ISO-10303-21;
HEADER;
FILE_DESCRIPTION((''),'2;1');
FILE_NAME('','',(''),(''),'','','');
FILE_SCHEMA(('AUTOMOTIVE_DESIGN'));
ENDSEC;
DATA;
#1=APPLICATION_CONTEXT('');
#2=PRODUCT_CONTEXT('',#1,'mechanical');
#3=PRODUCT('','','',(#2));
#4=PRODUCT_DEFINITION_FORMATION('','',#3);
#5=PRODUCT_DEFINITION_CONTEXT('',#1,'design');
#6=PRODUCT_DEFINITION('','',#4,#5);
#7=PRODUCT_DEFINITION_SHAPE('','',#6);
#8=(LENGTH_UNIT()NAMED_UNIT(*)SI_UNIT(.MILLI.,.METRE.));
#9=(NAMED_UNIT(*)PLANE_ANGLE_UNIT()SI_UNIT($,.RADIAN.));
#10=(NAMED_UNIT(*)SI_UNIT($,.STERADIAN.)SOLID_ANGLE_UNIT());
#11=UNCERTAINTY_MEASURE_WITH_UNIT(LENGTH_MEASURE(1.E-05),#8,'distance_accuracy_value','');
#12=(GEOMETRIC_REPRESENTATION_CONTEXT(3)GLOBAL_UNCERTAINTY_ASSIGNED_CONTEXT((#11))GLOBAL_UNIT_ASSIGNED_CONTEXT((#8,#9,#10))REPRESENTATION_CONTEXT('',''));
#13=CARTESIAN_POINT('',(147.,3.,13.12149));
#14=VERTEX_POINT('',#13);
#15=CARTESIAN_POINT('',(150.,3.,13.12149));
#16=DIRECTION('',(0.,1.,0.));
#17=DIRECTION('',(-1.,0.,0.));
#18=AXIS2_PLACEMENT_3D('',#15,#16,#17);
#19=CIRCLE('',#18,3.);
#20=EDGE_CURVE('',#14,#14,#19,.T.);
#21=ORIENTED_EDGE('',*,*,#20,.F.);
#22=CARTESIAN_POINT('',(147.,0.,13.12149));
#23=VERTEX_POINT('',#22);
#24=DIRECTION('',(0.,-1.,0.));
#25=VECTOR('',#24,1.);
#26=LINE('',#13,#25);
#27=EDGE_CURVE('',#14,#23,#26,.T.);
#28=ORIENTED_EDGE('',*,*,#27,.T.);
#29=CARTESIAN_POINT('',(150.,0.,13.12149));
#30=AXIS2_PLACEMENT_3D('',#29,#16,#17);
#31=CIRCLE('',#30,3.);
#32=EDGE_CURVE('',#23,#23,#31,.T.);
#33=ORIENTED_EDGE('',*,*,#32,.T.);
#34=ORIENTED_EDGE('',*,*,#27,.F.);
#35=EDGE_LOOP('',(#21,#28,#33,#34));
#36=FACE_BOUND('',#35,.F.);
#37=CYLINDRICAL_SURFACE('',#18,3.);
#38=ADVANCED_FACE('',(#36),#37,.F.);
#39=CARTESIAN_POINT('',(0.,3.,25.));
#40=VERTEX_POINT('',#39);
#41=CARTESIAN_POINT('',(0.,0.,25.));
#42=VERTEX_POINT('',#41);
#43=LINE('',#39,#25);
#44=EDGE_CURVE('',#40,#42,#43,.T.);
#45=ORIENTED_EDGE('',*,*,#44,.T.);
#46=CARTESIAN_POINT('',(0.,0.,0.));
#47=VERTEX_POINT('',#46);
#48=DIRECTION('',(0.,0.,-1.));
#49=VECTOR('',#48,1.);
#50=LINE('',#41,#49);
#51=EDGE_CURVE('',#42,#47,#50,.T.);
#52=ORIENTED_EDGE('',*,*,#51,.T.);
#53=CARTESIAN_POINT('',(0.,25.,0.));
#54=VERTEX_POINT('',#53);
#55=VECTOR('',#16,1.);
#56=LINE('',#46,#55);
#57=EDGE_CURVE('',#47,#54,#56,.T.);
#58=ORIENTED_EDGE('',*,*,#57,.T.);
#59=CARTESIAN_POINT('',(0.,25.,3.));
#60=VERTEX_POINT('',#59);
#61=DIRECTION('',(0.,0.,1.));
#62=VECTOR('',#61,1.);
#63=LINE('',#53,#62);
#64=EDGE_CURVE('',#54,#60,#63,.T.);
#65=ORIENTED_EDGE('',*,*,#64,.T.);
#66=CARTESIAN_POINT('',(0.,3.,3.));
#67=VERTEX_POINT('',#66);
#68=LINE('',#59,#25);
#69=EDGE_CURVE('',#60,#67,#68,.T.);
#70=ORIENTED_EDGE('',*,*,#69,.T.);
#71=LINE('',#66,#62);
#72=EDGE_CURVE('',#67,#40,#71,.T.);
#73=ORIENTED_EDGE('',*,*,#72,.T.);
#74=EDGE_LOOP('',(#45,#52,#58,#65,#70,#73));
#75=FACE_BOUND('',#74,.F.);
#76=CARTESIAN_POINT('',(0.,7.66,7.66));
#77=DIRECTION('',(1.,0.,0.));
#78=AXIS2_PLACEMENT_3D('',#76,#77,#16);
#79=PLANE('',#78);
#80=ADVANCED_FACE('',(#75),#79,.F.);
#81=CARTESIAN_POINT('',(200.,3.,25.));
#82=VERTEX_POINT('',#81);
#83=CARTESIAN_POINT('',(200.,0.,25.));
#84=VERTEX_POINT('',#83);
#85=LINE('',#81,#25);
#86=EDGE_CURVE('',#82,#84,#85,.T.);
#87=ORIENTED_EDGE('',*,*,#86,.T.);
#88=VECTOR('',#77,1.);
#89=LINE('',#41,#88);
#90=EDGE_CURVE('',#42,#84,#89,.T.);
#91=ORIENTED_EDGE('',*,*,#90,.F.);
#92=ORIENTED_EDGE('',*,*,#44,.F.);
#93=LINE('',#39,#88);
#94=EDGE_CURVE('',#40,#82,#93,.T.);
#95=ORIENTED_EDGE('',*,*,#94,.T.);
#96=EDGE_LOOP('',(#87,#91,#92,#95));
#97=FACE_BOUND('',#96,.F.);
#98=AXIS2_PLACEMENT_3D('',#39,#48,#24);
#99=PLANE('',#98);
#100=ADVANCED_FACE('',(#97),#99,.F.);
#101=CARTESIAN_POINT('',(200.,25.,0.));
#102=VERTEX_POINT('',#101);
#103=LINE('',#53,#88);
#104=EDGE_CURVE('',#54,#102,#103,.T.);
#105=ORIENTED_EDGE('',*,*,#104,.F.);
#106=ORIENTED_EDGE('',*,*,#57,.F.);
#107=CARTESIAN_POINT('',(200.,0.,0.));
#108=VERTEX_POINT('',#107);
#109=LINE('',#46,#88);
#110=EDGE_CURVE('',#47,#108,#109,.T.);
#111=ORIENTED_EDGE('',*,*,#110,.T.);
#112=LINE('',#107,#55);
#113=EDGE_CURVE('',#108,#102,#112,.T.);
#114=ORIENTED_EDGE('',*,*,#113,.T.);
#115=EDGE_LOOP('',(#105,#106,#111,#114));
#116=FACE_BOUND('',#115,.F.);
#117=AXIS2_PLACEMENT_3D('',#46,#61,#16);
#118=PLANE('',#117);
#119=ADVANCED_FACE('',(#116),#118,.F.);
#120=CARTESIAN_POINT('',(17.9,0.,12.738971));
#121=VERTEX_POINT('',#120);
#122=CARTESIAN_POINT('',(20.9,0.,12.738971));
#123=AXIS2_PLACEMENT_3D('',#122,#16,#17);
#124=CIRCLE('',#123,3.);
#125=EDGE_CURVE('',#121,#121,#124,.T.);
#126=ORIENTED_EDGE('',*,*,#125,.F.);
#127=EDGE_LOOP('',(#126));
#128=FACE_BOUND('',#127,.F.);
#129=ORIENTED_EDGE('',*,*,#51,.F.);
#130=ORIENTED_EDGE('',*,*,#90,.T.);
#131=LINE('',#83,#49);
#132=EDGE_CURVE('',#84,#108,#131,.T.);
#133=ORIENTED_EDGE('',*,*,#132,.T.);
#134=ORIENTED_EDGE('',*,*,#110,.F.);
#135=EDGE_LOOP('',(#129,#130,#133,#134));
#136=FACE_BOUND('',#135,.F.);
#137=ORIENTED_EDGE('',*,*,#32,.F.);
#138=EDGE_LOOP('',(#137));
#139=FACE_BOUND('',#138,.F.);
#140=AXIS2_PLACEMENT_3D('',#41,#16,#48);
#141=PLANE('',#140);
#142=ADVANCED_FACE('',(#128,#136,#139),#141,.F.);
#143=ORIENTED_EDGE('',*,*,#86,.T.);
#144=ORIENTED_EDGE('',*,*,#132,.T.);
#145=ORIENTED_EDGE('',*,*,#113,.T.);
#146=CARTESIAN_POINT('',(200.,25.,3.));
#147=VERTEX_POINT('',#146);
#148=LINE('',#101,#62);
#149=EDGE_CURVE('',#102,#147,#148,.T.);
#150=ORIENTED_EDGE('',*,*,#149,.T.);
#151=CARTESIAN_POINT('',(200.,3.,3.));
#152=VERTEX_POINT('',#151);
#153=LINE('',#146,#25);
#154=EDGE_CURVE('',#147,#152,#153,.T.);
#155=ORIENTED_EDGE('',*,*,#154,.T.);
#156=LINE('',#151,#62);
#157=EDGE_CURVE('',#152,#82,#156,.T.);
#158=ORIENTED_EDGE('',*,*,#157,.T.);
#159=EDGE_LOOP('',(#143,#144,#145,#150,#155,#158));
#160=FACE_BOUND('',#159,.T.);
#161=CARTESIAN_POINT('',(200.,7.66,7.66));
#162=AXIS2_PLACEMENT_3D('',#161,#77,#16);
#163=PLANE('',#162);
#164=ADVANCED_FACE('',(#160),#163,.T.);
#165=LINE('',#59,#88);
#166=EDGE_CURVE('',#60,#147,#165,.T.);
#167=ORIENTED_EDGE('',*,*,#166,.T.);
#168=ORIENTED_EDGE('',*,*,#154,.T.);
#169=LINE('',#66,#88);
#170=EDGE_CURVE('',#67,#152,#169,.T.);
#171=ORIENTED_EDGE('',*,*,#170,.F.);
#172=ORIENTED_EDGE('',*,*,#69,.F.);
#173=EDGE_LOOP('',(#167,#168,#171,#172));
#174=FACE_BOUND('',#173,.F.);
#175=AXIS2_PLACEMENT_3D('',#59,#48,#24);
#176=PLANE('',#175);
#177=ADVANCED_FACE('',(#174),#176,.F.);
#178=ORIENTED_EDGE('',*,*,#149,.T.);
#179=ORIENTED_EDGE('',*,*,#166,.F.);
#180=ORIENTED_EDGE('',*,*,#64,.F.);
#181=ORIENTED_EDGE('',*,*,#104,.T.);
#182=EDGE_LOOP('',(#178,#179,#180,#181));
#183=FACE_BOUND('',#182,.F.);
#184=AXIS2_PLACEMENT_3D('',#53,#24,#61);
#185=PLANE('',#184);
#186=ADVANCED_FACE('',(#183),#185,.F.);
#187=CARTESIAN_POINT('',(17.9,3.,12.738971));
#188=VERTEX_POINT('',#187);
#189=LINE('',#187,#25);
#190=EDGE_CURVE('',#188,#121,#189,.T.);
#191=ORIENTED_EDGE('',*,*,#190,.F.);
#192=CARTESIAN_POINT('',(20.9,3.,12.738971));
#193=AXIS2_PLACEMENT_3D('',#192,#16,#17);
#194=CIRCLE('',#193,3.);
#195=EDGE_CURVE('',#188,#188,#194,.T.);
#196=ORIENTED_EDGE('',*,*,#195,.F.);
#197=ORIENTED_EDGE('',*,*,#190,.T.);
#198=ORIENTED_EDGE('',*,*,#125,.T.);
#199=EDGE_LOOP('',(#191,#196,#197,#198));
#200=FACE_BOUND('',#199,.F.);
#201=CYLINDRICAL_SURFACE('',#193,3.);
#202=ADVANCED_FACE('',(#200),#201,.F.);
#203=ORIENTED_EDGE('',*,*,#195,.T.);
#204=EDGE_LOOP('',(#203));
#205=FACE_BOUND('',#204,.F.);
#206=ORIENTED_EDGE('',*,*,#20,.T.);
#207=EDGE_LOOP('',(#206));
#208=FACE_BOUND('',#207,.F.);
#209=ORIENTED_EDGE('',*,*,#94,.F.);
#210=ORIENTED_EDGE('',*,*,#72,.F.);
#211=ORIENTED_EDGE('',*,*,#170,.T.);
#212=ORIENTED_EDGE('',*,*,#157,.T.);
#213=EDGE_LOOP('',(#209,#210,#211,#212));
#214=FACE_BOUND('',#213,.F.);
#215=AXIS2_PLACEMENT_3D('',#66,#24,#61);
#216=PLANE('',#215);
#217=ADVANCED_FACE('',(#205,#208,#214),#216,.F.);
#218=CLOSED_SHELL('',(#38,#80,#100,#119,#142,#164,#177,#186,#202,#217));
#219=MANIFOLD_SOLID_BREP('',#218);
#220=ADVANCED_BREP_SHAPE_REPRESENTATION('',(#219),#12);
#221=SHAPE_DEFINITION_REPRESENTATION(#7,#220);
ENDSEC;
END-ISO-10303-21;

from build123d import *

# Parameters (mm, degrees)
F1_DEPTH = 200
F2_R     = 3
F3_DEPTH = 25


with BuildPart() as f1:
    # F0 (on Right) → F1 (new body)
    with BuildSketch(Plane.YZ):
        Polygon((3, 25), (0, 25), (0, 0), (25, 0), (25, 3), (3, 3), align=None)
    extrude(amount=F1_DEPTH)

    # F2 (on face) → F3 (cut)
    with BuildSketch(Plane(origin=(0, 3, 0), x_dir=(-1, 0, 0), z_dir=(0, 1, 0))):
        with Locations((-150, 13.12149)):
            Circle(F2_R)
        with Locations((-20.9, 12.738971)):
            Circle(F2_R)
    extrude(amount=-F3_DEPTH, mode=Mode.SUBTRACT)


solid = f1.part
